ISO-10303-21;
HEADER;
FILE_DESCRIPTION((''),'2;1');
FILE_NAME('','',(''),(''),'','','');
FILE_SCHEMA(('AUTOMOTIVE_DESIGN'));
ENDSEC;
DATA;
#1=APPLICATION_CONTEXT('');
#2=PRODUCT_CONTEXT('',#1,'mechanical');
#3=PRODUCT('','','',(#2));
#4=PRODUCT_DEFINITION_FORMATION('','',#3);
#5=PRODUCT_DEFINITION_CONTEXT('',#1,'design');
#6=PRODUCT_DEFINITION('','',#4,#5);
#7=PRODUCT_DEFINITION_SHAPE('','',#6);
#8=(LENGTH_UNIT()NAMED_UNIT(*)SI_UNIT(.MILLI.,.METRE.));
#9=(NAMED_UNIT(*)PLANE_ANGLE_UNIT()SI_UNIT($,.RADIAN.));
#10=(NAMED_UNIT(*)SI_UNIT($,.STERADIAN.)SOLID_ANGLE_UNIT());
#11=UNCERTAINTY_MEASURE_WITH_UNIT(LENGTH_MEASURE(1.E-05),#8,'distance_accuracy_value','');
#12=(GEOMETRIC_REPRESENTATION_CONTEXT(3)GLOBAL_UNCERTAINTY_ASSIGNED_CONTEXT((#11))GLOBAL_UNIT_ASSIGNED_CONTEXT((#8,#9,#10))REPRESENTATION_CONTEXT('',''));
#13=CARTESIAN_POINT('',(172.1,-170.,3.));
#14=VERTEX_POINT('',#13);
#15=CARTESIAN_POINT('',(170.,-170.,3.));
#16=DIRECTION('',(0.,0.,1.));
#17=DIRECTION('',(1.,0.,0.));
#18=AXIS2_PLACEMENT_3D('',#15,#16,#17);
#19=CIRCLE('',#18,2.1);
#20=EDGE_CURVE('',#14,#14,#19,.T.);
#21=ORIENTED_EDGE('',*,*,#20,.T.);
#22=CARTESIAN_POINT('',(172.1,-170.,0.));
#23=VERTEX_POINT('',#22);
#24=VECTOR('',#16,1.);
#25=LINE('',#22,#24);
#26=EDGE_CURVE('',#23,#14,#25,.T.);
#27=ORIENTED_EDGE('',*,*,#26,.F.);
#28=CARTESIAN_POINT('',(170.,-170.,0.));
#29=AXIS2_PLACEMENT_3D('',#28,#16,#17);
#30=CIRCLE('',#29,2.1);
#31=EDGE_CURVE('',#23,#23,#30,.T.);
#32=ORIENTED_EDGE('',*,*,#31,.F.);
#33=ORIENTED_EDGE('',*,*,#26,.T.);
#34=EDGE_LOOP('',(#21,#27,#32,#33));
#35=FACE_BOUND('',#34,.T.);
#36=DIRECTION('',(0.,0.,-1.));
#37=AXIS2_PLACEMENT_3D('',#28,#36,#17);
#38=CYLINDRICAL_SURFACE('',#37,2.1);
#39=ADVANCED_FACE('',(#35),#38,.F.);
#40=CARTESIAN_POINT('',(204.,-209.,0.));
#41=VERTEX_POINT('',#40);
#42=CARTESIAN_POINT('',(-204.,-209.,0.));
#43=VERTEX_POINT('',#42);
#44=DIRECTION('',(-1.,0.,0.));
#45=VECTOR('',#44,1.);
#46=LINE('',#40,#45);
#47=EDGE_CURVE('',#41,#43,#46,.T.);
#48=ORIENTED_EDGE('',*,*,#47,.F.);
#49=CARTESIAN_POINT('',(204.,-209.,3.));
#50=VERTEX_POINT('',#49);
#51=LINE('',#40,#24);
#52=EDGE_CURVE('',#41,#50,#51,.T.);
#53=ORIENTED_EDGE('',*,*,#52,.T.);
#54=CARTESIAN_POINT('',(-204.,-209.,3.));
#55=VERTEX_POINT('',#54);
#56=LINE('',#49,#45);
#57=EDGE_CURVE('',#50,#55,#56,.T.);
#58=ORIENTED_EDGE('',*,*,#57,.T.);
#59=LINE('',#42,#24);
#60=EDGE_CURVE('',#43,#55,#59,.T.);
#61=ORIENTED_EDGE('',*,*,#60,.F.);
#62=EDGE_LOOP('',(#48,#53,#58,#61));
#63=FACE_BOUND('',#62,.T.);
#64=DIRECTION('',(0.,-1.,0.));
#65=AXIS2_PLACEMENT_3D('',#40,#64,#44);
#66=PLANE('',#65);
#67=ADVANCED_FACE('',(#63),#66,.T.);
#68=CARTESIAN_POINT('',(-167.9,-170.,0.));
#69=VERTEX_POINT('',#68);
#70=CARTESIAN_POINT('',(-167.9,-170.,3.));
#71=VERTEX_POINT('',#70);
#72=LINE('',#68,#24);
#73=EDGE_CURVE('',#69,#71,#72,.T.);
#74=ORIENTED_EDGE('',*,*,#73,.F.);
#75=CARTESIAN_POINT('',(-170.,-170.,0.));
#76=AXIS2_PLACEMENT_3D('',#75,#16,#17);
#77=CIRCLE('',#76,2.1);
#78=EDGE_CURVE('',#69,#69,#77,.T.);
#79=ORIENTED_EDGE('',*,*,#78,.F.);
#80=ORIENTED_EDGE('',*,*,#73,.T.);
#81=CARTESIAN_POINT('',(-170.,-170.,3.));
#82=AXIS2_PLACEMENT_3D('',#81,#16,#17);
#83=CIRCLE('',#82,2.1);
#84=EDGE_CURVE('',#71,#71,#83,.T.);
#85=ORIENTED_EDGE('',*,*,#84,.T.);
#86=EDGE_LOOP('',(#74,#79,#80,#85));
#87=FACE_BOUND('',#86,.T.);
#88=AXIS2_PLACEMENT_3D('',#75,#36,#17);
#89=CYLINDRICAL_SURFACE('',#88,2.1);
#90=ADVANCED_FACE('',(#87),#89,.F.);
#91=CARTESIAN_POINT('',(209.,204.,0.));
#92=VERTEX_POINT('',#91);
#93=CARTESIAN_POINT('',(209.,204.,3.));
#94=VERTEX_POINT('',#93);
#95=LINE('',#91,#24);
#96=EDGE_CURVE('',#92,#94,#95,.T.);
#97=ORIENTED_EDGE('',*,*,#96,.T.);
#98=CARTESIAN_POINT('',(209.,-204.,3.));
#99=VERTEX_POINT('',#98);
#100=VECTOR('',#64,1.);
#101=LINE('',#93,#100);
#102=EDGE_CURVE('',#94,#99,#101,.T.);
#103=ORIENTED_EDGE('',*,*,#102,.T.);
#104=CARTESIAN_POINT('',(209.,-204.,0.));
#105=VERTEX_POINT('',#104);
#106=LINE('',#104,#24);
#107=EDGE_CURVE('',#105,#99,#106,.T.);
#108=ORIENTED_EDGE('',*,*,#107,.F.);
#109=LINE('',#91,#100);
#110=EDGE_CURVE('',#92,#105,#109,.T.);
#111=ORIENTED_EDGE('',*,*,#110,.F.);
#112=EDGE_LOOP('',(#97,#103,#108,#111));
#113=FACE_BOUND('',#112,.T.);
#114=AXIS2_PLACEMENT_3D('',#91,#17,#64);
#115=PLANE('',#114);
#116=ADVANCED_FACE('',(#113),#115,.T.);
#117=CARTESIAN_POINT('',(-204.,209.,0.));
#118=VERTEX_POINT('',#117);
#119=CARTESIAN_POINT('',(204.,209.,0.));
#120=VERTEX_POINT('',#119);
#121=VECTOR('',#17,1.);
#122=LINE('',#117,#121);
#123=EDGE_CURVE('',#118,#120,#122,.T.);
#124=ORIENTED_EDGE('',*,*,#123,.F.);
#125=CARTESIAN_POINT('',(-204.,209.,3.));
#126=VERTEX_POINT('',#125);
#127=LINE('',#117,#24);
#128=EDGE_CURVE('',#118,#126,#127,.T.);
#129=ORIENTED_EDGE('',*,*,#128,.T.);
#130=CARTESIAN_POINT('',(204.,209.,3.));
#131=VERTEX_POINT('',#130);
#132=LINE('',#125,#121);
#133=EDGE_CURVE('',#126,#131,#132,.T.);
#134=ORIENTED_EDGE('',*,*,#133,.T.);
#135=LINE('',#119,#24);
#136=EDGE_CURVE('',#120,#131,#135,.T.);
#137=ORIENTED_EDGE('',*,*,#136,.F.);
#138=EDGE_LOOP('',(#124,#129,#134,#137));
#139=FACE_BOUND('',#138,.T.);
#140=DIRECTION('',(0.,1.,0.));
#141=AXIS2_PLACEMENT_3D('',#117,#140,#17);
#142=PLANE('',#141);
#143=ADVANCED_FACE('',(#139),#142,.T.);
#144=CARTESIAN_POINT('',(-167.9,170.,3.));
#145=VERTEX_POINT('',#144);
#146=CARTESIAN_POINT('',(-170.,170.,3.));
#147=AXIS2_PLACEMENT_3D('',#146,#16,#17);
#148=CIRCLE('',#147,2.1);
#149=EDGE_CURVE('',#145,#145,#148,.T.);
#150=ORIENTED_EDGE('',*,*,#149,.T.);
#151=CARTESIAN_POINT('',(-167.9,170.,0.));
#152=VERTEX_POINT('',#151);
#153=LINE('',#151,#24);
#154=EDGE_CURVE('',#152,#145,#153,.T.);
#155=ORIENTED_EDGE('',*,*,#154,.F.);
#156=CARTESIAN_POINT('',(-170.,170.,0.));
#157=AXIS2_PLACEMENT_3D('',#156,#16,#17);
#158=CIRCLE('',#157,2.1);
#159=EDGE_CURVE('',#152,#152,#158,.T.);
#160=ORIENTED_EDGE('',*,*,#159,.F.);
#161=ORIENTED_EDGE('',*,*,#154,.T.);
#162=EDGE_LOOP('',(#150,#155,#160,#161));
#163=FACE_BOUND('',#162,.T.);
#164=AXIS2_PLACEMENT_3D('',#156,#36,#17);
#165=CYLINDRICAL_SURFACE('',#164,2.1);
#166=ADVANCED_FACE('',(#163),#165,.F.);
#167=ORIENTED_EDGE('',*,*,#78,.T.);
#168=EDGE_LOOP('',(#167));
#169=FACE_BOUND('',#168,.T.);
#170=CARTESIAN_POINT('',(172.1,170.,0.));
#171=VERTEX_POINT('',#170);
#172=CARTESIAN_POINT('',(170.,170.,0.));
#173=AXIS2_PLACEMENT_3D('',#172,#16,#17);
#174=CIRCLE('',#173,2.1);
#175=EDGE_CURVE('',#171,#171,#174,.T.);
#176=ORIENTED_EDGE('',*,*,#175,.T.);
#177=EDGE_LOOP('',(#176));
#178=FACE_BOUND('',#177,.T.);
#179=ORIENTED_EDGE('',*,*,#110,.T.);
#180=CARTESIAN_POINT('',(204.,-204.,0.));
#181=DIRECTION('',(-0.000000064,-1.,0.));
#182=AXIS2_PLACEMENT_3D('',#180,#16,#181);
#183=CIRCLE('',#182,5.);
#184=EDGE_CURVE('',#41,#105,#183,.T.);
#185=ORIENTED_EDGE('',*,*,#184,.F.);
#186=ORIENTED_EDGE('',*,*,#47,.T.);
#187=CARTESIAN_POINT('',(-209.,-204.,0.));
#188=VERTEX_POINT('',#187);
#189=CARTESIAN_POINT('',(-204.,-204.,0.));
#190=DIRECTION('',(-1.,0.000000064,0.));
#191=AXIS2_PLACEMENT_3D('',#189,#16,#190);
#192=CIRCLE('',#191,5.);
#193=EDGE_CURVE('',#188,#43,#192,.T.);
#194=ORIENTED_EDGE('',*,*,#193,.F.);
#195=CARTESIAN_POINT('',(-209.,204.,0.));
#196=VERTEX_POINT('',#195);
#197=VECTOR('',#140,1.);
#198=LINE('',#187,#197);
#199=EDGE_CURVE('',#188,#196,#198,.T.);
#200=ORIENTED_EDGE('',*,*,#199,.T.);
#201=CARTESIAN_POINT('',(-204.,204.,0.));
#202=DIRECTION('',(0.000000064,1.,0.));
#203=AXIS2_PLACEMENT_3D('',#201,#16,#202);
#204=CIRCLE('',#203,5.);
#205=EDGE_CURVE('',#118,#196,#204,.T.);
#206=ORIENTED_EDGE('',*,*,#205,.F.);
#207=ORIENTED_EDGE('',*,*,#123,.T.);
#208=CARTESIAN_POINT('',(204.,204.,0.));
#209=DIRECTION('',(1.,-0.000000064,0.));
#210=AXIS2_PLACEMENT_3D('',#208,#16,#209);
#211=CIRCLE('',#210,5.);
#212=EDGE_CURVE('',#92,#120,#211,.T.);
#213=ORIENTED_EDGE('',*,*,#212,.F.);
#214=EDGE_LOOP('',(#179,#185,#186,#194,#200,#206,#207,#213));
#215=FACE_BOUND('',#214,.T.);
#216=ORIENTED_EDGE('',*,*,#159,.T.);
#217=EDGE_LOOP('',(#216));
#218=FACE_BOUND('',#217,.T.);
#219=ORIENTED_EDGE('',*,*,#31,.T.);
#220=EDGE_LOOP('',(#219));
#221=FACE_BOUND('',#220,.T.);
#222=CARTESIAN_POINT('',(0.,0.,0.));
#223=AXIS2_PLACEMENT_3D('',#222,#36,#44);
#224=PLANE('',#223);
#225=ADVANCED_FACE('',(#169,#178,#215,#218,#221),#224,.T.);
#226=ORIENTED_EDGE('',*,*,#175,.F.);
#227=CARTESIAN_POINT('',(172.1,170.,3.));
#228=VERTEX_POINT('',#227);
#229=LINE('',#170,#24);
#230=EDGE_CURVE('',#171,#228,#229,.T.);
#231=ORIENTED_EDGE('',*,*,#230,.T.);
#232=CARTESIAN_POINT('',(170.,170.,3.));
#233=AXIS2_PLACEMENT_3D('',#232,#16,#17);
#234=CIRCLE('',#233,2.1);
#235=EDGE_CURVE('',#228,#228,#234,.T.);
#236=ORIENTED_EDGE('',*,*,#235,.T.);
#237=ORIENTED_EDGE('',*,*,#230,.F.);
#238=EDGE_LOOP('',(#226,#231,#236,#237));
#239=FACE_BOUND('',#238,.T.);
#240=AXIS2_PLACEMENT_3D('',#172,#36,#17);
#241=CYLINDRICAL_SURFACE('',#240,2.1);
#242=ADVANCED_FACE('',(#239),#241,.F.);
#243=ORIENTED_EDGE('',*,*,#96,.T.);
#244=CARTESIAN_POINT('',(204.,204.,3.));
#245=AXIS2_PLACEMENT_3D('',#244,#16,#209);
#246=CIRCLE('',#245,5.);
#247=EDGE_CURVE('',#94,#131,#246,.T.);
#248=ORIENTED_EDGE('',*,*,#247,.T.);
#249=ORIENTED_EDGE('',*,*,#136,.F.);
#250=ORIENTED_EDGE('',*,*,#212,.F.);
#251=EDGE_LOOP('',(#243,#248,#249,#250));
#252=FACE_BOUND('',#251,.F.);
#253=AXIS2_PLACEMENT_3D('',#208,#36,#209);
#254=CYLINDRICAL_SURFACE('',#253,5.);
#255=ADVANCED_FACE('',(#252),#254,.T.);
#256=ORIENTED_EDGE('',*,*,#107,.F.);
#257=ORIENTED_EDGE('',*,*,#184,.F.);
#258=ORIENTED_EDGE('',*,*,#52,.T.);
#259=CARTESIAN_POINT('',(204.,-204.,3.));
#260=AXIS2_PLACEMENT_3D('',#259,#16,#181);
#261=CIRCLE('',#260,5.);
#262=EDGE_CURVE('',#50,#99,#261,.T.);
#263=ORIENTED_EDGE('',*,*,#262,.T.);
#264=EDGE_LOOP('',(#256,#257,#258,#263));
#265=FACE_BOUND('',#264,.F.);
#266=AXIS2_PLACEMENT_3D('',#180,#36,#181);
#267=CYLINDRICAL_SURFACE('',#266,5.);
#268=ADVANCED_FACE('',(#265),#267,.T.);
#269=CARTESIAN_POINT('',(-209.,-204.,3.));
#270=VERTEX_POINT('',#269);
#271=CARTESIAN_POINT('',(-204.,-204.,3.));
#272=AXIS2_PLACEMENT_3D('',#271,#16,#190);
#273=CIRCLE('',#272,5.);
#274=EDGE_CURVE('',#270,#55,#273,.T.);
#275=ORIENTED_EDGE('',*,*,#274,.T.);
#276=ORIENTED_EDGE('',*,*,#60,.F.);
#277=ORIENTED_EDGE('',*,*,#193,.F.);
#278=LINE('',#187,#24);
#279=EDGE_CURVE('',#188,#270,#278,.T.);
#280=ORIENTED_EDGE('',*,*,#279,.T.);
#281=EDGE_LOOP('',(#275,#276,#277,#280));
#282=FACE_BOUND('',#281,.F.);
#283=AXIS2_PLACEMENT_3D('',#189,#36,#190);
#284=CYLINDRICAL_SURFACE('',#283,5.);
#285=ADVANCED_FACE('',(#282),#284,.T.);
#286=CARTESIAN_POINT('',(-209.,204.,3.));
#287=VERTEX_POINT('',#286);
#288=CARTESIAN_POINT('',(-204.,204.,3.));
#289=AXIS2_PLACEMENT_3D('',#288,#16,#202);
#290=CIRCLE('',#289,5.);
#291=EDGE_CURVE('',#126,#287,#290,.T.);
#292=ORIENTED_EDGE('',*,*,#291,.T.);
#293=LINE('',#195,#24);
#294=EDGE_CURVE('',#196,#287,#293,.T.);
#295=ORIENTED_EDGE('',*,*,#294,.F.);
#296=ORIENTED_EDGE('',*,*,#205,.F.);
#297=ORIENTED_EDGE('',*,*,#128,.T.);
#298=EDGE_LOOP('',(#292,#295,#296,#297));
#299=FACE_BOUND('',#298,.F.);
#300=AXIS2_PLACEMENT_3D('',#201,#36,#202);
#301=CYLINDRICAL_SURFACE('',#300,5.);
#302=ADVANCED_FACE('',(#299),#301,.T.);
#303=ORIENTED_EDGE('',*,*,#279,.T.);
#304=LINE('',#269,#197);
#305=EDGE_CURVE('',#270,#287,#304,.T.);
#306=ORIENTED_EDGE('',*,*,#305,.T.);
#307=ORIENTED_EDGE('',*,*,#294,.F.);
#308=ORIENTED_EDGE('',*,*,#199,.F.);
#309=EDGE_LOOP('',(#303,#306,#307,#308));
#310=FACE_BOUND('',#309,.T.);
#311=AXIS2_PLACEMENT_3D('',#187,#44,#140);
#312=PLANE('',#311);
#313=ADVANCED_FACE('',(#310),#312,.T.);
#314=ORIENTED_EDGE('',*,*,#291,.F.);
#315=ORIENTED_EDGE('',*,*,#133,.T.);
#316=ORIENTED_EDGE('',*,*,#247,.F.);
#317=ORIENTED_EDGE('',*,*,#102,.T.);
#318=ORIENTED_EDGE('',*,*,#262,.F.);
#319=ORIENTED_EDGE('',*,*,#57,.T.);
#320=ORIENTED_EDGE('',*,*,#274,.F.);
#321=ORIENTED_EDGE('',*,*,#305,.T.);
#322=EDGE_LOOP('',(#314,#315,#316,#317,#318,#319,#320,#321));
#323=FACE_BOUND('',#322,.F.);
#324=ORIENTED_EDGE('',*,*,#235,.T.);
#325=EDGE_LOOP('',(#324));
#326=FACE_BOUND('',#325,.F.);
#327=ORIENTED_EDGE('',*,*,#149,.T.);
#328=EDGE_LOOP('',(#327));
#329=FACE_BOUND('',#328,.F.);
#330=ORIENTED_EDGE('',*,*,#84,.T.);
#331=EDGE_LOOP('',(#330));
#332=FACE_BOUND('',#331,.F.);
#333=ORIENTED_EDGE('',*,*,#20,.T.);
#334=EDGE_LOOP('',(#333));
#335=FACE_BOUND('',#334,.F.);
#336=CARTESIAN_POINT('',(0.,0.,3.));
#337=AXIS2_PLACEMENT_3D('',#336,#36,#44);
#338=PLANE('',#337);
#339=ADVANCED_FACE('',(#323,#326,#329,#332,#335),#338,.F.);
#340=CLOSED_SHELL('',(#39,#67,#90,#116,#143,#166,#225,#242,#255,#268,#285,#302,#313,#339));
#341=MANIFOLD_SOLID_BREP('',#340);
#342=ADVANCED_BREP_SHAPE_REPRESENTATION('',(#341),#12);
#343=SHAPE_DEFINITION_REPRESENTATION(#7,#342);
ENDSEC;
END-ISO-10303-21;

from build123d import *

# Parameters (mm, degrees)
SKETCH_R  = 2.1
PAD_DEPTH = 3


with BuildPart() as part:
    # Sketch → Pad (new body)
    with BuildSketch(Plane.XY):
        with BuildLine():
            Line((-204, 209), (204, 209))
            ThreePointArc((209, 204), (207.535534, 207.535534), (204, 209))
            Line((209, 204), (209, -204))
            ThreePointArc((204, -209), (207.535534, -207.535534), (209, -204))
            Line((204, -209), (-204, -209))
            ThreePointArc((-209, -204), (-207.535534, -207.535534), (-204, -209))
            Line((-209, -204), (-209, 204))
            ThreePointArc((-204, 209), (-207.535534, 207.535534), (-209, 204))
        make_face()
        with Locations((-170, 170)):
            Circle(SKETCH_R, mode=Mode.SUBTRACT)
        with Locations((170, 170)):
            Circle(SKETCH_R, mode=Mode.SUBTRACT)
        with Locations((170, -170)):
            Circle(SKETCH_R, mode=Mode.SUBTRACT)
        with Locations((-170, -170)):
            Circle(SKETCH_R, mode=Mode.SUBTRACT)
    extrude(amount=PAD_DEPTH)


solid = part.part
